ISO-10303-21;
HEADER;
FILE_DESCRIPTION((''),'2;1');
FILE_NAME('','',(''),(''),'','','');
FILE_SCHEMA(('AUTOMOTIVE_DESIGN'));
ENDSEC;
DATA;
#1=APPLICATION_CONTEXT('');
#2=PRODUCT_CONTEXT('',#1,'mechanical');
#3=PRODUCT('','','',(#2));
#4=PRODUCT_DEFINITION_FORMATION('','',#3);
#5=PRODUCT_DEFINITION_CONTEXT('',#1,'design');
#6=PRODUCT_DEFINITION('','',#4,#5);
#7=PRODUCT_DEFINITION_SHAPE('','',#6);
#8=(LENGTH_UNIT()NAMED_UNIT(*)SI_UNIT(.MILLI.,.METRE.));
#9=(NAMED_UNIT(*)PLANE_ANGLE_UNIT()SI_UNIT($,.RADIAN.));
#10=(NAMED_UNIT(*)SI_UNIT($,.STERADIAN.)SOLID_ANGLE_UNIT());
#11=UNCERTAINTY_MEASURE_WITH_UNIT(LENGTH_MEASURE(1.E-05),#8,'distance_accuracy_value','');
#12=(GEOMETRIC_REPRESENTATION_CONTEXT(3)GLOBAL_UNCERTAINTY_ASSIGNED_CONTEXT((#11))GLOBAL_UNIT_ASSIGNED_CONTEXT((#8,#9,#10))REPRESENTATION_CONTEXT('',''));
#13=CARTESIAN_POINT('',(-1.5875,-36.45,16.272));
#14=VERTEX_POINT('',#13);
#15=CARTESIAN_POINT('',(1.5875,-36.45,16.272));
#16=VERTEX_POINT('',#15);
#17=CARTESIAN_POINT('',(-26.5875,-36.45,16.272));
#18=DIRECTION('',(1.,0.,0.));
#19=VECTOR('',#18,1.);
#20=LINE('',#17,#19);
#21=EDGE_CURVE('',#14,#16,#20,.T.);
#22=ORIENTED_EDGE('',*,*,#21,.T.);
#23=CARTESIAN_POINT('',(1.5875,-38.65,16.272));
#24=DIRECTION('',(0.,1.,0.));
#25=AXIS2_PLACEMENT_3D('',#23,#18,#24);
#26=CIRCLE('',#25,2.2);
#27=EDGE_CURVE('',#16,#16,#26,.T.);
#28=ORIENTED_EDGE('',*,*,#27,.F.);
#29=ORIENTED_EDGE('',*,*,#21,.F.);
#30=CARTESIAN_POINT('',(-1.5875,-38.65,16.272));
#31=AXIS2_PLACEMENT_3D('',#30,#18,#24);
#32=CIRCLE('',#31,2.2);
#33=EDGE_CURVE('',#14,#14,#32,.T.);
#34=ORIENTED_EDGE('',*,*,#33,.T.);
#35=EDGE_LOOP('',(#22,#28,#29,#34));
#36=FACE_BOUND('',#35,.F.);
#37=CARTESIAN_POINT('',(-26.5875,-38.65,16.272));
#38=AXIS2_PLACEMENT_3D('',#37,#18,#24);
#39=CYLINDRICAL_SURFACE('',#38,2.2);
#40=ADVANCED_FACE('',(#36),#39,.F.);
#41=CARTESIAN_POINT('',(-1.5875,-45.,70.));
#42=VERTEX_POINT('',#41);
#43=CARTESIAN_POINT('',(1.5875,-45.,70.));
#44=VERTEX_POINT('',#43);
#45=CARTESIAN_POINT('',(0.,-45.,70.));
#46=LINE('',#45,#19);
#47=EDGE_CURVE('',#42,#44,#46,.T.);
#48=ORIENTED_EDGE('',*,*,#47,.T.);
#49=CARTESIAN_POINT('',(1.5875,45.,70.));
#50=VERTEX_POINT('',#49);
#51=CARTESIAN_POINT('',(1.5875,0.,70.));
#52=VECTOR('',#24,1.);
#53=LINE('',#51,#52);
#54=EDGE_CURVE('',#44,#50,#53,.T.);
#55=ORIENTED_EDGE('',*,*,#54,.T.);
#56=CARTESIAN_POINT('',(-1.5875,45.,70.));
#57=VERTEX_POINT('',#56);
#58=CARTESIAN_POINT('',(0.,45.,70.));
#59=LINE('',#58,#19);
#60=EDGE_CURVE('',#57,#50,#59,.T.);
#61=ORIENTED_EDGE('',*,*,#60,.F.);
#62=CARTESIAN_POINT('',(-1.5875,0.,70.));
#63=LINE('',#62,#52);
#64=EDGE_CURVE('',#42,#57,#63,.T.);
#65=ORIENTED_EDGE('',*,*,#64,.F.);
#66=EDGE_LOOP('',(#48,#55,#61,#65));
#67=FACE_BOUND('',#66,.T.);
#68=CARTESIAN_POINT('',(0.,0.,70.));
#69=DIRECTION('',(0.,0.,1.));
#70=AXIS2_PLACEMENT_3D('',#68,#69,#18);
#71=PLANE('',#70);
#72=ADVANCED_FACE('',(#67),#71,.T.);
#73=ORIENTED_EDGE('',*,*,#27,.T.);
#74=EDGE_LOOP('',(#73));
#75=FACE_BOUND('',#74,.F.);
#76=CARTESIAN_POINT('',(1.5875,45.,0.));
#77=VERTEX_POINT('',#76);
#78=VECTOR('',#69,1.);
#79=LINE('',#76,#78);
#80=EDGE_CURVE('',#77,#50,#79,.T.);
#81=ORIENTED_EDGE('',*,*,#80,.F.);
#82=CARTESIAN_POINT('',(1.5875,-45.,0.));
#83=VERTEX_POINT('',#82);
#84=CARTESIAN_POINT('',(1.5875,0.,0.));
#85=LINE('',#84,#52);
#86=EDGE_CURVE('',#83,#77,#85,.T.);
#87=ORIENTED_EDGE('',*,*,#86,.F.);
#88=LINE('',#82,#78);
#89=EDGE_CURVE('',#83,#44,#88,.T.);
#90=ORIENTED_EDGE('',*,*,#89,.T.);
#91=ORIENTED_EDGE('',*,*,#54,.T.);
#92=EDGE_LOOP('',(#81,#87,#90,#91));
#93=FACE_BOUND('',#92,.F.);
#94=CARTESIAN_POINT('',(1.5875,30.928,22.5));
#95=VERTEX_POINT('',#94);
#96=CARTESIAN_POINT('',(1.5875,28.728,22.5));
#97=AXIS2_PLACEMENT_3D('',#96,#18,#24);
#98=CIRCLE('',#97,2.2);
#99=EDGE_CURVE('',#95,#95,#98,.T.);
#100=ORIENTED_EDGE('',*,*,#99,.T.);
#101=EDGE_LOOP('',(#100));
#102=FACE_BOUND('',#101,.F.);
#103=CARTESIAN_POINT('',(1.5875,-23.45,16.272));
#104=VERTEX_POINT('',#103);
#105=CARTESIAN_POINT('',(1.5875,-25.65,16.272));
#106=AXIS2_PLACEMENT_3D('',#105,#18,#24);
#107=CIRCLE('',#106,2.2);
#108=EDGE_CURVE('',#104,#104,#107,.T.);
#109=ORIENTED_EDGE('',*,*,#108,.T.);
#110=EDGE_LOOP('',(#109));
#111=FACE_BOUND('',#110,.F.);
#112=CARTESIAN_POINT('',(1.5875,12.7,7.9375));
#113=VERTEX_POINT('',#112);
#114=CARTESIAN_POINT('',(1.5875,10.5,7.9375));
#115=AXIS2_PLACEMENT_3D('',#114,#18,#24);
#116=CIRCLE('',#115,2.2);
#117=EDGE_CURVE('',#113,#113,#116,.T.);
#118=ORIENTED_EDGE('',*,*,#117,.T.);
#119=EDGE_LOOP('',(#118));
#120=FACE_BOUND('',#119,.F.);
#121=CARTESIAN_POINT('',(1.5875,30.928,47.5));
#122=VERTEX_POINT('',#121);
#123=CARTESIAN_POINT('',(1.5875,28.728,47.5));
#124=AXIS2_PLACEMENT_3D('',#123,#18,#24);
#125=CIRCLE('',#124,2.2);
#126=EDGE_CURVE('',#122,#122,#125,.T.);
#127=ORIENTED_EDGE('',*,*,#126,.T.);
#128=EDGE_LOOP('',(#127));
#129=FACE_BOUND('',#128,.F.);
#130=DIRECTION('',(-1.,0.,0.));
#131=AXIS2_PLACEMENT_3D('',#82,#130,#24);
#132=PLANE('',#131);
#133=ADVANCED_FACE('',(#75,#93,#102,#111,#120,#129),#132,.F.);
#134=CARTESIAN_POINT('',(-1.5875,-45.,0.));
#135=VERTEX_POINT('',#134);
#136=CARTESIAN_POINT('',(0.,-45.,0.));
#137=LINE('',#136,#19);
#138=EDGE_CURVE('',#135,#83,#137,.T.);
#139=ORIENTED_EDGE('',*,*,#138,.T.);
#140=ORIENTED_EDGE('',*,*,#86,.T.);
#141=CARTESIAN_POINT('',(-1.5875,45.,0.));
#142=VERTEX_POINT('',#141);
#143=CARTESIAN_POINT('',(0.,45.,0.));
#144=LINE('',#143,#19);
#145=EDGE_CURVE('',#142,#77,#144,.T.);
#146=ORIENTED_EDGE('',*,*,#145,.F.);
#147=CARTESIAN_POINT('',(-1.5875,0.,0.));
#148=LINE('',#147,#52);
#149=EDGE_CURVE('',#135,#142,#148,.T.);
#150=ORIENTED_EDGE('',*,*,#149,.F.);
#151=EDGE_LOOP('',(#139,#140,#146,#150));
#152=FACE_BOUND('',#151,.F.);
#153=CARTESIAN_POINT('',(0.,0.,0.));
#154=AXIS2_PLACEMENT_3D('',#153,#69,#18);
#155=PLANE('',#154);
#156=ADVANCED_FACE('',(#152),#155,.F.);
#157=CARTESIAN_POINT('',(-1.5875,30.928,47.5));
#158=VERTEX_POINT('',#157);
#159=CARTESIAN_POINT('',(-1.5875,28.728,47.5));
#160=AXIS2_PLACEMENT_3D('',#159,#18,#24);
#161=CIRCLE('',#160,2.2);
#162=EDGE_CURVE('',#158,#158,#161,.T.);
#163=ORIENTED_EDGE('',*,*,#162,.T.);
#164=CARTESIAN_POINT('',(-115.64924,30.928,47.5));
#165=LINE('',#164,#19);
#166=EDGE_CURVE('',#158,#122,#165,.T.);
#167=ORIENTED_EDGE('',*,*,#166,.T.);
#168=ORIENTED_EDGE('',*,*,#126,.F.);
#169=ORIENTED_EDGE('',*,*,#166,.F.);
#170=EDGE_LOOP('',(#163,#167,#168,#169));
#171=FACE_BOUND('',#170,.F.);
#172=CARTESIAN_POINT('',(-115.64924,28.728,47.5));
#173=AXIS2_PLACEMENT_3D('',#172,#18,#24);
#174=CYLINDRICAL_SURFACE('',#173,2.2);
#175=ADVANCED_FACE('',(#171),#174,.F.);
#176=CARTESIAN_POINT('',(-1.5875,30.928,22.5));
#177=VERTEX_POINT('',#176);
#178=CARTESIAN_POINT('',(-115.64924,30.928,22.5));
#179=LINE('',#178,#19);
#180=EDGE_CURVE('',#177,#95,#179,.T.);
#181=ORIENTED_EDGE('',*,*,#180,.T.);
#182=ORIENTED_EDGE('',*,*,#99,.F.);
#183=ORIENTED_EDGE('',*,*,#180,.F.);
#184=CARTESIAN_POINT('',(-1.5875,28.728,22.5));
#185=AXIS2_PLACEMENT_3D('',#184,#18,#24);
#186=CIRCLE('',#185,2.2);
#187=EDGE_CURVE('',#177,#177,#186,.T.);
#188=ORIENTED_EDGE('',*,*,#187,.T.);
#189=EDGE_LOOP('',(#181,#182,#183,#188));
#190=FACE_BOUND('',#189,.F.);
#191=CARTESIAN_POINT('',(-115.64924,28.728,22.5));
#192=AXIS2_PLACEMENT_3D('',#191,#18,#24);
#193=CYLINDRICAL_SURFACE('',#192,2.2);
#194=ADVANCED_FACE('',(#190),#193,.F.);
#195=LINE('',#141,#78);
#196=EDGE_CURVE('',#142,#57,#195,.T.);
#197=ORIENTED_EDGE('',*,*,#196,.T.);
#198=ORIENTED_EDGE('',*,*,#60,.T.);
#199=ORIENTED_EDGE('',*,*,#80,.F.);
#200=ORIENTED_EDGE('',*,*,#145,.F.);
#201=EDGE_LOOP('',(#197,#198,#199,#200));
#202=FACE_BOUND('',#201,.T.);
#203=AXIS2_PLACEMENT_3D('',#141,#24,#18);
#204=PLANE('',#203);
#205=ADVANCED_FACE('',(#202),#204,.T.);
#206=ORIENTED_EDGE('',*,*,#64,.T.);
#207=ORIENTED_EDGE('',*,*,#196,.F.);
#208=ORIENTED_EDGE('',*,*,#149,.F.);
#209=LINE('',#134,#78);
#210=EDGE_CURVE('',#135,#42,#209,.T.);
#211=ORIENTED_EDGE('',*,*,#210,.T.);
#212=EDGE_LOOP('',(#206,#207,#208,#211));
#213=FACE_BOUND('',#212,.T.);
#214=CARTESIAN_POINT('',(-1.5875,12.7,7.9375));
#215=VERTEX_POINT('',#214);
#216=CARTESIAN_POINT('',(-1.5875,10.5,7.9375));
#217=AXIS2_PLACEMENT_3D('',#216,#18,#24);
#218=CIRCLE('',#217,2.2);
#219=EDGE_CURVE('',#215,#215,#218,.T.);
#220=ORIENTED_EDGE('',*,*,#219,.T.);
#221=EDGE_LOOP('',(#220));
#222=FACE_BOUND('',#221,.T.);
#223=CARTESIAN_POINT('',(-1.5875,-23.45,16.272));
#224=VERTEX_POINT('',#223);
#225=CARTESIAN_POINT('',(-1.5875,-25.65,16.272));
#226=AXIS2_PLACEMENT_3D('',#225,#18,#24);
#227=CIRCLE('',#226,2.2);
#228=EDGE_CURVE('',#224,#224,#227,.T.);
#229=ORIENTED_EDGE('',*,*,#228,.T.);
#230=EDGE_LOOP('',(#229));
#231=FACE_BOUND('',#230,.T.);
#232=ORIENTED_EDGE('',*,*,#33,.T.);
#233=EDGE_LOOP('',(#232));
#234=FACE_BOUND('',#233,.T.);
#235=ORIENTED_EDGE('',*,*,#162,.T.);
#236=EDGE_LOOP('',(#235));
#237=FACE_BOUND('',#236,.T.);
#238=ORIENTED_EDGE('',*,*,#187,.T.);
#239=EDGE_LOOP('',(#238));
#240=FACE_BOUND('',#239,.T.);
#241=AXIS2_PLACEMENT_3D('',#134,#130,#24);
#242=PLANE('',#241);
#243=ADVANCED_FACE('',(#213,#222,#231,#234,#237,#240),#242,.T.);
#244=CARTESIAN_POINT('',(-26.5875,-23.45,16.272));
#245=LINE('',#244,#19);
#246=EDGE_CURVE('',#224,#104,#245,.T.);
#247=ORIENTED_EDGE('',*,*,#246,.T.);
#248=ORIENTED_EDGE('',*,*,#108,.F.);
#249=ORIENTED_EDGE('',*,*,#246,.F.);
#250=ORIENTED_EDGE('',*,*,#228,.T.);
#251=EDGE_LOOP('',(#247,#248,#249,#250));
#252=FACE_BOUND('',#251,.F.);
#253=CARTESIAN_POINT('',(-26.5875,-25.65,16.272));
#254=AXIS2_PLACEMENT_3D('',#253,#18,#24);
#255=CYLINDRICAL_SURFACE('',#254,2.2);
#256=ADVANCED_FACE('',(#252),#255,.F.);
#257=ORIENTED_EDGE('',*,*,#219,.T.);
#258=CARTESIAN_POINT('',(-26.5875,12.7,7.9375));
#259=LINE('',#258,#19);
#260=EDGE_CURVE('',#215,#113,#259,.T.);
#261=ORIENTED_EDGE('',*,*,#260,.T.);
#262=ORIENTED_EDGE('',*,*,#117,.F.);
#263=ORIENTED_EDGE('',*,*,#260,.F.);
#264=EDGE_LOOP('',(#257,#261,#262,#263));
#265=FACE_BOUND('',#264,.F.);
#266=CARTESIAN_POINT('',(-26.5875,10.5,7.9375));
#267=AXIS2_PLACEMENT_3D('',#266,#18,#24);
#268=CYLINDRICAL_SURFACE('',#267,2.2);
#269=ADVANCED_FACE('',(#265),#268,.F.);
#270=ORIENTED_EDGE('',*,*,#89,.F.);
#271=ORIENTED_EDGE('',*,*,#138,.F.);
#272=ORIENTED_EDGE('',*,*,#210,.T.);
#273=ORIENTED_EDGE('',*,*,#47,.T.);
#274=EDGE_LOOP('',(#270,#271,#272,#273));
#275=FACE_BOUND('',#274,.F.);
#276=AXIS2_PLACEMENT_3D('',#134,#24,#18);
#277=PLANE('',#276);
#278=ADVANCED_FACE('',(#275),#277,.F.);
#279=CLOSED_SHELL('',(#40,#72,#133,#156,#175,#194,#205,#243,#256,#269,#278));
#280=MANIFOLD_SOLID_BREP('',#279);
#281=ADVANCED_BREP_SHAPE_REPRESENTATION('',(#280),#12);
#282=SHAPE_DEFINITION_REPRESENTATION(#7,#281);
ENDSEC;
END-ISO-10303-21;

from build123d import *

# Parameters (mm, degrees)
F0_W     = 3.175
F0_H     = 90
F1_DEPTH = 70
F3_D     = 4.4
F5_D     = 4.4
F5_DEPTH = 25
F5_TIP   = 1.3218933619


with BuildPart() as f1:
    # F0 (on Top) → F1 (new body)
    with BuildSketch(Plane.XY):
        Rectangle(F0_W, F0_H)
    extrude(amount=F1_DEPTH)

    # F3 (through all)
    with Locations(Plane(origin=(-1.5875, 0, 0), x_dir=(0, -1, 0), z_dir=(-1, 0, 0))):
        with Locations((-28.728, 47.5), (-28.728, 22.5)):
            Hole(F3_D / 2)

    # F5
    with Locations(Plane(origin=(-1.5875, 0, 0), x_dir=(0, -1, 0), z_dir=(-1, 0, 0))):
        with Locations((38.65, 16.272), (25.65, 16.272), (-10.5, 7.9375)):
            Hole(F5_D / 2, depth=F5_DEPTH)
            with Locations((0, 0, -(F5_DEPTH + F5_TIP / 2))):  # 118° drill point
                Cone(0, F5_D / 2, F5_TIP, mode=Mode.SUBTRACT)


solid = f1.part
